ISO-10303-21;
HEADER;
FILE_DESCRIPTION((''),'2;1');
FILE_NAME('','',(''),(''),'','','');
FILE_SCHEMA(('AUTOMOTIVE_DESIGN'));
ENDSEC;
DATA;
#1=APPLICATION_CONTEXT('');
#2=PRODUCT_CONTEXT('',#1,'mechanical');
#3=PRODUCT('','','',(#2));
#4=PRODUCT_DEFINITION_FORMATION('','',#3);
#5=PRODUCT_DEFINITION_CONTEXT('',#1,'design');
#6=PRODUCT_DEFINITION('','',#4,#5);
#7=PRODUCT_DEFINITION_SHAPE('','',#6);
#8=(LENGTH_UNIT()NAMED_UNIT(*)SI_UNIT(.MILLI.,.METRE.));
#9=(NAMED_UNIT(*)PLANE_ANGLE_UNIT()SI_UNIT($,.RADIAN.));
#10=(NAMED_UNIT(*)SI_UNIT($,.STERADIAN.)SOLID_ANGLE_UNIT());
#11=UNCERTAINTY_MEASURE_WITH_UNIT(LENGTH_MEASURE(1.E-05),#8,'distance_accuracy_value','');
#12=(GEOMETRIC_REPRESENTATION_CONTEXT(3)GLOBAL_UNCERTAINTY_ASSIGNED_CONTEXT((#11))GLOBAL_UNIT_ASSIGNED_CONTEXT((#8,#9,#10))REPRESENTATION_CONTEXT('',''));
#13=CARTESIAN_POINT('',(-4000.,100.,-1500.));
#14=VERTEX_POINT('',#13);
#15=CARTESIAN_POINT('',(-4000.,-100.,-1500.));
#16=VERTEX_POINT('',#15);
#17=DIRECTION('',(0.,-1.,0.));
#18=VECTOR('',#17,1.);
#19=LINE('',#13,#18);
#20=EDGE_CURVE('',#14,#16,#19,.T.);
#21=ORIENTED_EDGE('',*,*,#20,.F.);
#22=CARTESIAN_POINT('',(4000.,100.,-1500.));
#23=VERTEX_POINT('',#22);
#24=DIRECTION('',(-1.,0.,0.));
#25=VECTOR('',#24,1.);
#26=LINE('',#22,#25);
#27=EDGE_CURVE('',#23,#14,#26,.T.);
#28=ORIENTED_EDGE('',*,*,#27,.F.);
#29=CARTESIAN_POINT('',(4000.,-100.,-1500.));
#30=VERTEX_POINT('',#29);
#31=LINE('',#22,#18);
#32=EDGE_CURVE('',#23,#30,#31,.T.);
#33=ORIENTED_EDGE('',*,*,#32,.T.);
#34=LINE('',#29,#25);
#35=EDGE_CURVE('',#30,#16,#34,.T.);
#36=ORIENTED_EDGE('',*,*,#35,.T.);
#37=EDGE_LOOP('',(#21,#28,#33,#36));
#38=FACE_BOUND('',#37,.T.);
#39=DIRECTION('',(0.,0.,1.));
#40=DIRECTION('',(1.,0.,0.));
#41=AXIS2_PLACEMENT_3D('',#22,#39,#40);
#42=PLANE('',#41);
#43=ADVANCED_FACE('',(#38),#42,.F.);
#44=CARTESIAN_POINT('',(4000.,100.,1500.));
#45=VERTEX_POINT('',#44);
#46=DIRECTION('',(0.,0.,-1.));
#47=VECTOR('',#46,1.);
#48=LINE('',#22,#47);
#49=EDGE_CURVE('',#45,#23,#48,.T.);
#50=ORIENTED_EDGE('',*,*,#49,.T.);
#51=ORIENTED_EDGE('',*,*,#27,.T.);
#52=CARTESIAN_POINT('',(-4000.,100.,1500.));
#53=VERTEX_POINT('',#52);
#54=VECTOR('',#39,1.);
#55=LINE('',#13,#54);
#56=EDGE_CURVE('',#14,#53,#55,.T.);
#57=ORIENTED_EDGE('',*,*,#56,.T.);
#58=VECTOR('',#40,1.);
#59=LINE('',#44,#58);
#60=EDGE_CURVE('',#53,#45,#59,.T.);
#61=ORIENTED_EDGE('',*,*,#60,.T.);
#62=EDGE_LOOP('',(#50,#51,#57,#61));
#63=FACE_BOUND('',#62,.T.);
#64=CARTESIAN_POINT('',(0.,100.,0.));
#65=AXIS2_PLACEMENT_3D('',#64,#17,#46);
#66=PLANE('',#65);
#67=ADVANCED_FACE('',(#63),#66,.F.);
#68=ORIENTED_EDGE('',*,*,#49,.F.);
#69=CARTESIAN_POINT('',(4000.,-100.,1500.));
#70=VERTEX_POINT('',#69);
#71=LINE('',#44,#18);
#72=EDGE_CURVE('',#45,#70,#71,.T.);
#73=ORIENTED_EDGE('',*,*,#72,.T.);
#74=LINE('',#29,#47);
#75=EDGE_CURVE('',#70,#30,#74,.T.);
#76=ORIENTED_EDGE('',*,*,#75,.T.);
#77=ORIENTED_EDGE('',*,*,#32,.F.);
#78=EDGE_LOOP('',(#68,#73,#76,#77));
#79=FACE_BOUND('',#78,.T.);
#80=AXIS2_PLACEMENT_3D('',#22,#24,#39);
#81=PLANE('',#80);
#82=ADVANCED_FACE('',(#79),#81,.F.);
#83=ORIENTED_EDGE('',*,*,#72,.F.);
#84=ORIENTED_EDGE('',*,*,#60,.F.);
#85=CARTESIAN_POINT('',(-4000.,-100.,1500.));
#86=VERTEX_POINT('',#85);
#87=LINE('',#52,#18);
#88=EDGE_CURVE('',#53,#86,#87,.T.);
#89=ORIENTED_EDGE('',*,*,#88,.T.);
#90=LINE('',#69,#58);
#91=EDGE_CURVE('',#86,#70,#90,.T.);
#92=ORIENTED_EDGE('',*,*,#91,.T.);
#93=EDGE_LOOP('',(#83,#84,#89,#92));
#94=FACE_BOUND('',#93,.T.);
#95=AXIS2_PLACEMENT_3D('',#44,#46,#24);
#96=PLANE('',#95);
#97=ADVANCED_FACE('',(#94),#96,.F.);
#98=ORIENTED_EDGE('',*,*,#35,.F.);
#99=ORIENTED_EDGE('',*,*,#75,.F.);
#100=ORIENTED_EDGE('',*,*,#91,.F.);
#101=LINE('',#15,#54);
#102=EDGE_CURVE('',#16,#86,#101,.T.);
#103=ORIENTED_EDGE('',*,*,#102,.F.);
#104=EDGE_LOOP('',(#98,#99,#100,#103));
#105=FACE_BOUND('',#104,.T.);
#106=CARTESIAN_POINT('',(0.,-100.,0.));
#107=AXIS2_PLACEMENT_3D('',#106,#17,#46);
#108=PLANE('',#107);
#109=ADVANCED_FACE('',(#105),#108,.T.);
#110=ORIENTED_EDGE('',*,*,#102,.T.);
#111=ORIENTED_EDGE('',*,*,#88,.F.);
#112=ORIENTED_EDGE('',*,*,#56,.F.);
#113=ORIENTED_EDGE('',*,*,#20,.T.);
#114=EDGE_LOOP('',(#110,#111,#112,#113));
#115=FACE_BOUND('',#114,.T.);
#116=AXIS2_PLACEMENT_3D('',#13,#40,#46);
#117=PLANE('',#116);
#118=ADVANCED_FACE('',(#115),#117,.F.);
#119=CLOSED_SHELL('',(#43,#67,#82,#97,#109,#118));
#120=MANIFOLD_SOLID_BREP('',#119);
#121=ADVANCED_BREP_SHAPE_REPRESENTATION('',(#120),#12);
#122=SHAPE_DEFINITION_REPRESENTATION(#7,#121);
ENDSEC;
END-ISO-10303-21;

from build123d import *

# Parameters (mm, degrees)
SKETCH1_W           = 8000
SKETCH1_H           = 3000
BOSS_EXTRUDE1_DEPTH = 100


with BuildPart() as part:
    # Sketch1 → Boss-Extrude1 (new body, symmetric)
    with BuildSketch(Plane(origin=(0, 0, 0), x_dir=(1, 0, 0), z_dir=(0, 1, 0))):
        Rectangle(SKETCH1_W, SKETCH1_H)
    extrude(amount=BOSS_EXTRUDE1_DEPTH, both=True)


solid = part.part
